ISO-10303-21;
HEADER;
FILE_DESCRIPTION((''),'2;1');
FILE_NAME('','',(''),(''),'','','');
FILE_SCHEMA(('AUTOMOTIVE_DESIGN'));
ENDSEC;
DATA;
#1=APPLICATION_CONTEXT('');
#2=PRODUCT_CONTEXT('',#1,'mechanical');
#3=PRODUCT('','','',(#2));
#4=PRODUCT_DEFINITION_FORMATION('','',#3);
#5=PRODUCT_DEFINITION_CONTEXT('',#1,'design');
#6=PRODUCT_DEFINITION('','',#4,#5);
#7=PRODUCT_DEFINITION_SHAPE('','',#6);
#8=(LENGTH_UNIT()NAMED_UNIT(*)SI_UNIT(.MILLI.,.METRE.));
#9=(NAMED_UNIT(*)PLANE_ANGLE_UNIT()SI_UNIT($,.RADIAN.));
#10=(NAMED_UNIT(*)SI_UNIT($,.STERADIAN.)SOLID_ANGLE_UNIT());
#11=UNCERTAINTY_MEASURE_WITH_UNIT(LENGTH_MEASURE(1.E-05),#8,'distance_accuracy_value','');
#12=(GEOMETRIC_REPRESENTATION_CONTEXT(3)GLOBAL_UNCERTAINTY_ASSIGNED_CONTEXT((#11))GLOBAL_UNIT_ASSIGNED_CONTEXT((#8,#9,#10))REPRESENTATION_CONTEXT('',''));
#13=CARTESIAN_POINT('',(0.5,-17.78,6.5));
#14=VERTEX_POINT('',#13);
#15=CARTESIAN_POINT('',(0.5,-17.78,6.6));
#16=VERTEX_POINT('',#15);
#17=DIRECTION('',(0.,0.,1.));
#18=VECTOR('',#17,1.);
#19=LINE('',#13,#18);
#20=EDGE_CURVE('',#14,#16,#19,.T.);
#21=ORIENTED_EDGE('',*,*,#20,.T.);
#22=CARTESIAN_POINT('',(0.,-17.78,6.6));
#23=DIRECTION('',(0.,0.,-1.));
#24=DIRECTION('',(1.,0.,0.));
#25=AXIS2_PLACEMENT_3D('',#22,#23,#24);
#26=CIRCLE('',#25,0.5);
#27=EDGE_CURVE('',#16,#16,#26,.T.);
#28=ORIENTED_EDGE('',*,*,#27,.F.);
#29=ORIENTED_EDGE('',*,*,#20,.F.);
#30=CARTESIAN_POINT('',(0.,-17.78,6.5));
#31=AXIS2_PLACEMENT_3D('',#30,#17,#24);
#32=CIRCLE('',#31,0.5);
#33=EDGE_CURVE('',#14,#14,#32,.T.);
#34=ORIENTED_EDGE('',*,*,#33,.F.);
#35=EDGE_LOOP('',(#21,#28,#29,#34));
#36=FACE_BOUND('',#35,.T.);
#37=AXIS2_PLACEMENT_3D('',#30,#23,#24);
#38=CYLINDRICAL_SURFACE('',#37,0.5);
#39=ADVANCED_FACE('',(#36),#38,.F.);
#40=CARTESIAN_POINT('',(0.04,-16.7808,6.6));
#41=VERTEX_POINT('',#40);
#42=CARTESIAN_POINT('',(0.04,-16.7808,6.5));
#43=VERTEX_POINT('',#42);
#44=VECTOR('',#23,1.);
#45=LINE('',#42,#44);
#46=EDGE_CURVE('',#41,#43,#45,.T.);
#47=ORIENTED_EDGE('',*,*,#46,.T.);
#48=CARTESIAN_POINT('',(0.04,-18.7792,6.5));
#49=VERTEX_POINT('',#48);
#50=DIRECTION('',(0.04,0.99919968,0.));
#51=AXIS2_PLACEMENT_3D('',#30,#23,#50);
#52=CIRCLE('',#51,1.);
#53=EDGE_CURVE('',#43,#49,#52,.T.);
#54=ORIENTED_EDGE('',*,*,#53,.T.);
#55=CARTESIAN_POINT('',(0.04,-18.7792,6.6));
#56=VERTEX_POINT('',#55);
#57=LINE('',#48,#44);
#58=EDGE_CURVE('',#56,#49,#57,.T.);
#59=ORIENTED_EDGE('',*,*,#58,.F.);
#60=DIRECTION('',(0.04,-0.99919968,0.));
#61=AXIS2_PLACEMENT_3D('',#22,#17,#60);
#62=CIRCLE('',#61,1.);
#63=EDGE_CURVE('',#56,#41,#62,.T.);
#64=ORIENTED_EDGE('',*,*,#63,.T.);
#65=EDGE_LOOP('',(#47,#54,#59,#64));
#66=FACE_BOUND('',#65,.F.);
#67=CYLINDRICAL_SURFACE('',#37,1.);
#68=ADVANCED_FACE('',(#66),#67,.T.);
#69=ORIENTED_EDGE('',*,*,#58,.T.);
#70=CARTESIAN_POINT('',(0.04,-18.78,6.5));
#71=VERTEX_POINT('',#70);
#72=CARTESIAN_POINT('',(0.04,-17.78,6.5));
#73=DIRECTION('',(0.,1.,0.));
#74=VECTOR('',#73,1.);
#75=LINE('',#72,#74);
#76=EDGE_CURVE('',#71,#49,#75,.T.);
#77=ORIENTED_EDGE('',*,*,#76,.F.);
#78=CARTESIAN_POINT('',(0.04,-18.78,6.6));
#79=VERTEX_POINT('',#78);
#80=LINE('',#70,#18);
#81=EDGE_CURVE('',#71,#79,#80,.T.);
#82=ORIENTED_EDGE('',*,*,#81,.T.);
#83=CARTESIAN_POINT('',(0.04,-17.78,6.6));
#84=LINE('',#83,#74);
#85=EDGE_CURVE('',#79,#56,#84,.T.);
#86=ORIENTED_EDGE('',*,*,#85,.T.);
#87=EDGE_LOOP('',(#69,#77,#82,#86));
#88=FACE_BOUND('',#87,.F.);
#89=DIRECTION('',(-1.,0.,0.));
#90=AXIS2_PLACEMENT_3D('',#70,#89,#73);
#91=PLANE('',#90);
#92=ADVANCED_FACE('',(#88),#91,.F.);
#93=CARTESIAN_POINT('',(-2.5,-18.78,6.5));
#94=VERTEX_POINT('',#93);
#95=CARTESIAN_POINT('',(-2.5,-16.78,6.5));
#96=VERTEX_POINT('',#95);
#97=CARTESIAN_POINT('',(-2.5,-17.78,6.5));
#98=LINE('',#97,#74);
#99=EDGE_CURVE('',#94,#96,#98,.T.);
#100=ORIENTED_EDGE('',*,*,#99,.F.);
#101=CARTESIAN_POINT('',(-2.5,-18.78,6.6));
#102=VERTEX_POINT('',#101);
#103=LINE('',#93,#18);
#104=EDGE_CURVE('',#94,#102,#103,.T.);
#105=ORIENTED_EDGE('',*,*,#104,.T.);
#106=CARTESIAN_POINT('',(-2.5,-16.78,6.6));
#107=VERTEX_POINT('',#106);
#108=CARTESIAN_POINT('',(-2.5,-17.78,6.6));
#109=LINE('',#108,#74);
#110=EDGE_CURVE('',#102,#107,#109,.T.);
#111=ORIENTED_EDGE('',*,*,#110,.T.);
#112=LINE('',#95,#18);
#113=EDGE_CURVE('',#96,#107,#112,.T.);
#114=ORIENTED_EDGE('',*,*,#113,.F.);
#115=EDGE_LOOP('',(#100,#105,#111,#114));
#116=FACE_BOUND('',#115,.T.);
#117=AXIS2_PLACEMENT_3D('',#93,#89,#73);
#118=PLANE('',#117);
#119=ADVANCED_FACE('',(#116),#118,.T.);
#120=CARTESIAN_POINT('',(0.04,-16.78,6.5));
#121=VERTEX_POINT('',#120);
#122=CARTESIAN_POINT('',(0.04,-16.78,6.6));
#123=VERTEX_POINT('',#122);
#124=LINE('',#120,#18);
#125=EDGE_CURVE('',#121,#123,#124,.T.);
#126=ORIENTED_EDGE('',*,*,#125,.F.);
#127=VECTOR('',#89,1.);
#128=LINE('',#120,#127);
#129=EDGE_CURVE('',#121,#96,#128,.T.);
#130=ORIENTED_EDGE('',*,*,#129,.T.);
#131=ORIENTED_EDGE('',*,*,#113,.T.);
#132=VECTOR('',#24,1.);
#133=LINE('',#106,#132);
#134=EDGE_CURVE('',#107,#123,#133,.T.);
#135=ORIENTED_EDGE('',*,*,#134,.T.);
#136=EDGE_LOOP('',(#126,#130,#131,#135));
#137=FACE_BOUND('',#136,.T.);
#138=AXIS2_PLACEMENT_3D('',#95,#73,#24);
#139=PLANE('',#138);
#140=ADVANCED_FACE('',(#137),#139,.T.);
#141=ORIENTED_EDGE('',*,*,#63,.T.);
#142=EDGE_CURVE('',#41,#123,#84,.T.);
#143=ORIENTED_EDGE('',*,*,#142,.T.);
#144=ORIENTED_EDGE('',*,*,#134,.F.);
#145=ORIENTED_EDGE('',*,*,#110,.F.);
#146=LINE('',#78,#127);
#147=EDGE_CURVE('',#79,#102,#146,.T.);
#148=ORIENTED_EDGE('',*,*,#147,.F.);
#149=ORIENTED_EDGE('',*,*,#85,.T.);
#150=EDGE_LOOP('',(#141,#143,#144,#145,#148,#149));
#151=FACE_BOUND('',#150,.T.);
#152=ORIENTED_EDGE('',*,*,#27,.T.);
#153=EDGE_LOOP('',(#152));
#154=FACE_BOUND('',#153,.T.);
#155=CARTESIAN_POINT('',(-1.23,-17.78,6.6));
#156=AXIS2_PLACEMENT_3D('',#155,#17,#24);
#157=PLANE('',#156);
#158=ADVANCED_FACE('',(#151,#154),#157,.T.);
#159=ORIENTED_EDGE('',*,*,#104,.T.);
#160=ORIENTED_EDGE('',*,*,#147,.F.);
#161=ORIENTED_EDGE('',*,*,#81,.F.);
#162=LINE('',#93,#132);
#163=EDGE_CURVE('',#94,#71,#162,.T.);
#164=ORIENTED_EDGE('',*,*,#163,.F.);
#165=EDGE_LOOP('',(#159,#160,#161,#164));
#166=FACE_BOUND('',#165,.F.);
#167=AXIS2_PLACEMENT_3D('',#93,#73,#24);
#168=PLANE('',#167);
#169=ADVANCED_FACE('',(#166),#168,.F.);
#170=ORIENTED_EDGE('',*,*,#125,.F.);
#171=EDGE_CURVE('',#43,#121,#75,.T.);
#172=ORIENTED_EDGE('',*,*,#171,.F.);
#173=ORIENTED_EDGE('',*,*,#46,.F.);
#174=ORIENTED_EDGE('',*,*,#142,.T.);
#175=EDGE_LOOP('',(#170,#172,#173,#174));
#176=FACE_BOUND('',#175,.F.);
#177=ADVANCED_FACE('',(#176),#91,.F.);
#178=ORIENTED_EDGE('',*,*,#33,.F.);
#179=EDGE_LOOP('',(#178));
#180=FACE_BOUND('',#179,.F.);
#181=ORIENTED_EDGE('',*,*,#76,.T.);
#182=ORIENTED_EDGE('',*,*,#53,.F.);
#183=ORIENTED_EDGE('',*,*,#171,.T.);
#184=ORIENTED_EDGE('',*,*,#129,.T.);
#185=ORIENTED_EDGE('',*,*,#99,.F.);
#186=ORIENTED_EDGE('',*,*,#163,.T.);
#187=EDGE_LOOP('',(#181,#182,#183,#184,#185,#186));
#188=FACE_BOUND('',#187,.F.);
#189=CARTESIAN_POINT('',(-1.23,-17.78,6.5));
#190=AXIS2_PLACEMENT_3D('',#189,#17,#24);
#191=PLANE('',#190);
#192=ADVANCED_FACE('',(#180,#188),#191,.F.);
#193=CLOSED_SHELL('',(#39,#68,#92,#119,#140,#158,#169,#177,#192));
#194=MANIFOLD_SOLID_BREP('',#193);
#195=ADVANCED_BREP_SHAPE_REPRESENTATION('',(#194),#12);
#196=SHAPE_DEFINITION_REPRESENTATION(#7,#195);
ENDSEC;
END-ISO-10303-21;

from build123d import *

# Parameters (mm, degrees)
CYLINDER023_R     = 0.5
CYLINDER023_DEPTH = 0.1
BOX010_W          = 2.54
BOX010_H          = 2
BOX010_DEPTH      = 0.1
CYLINDER022_R     = 0.5
CYLINDER022_DEPTH = 0.1
CYLINDER021_R     = 1
CYLINDER021_DEPTH = 0.1


with BuildPart() as cylinder023:
    # Cylinder023 → Cylinder023 (new body)
    with BuildSketch(Plane.XY.offset(1)):
        Circle(CYLINDER023_R)
    extrude(amount=CYLINDER023_DEPTH)


with BuildPart() as cut016:
    # Box010 → Box010 (new body)
    with BuildSketch(Plane(origin=(-2.5, -1, 1), x_dir=(1, 0, 0), z_dir=(0, 0, 1))):
        with Locations((1.27, 1)):
            Rectangle(BOX010_W, BOX010_H)
    extrude(amount=BOX010_DEPTH)

    # Cut016: cut Cylinder023
    add(cylinder023.part, mode=Mode.SUBTRACT)


with BuildPart() as cylinder022:
    # Cylinder022 → Cylinder022 (new body)
    with BuildSketch(Plane.XY.offset(1)):
        Circle(CYLINDER022_R)
    extrude(amount=CYLINDER022_DEPTH)


with BuildPart() as fusion007:
    # Cylinder021 → Cylinder021 (new body)
    with BuildSketch(Plane.XY.offset(1)):
        Circle(CYLINDER021_R)
    extrude(amount=CYLINDER021_DEPTH)

    # Cut015: cut Cylinder022
    add(cylinder022.part, mode=Mode.SUBTRACT)

    # Fusion007: union Cut016
    add(cut016.part)


with BuildPart() as fusion007_1:
    # Fusion007 placement: moved
    add(fusion007.part.moved(Location((0, -17.78, 5.5))))


solid = fusion007_1.part
